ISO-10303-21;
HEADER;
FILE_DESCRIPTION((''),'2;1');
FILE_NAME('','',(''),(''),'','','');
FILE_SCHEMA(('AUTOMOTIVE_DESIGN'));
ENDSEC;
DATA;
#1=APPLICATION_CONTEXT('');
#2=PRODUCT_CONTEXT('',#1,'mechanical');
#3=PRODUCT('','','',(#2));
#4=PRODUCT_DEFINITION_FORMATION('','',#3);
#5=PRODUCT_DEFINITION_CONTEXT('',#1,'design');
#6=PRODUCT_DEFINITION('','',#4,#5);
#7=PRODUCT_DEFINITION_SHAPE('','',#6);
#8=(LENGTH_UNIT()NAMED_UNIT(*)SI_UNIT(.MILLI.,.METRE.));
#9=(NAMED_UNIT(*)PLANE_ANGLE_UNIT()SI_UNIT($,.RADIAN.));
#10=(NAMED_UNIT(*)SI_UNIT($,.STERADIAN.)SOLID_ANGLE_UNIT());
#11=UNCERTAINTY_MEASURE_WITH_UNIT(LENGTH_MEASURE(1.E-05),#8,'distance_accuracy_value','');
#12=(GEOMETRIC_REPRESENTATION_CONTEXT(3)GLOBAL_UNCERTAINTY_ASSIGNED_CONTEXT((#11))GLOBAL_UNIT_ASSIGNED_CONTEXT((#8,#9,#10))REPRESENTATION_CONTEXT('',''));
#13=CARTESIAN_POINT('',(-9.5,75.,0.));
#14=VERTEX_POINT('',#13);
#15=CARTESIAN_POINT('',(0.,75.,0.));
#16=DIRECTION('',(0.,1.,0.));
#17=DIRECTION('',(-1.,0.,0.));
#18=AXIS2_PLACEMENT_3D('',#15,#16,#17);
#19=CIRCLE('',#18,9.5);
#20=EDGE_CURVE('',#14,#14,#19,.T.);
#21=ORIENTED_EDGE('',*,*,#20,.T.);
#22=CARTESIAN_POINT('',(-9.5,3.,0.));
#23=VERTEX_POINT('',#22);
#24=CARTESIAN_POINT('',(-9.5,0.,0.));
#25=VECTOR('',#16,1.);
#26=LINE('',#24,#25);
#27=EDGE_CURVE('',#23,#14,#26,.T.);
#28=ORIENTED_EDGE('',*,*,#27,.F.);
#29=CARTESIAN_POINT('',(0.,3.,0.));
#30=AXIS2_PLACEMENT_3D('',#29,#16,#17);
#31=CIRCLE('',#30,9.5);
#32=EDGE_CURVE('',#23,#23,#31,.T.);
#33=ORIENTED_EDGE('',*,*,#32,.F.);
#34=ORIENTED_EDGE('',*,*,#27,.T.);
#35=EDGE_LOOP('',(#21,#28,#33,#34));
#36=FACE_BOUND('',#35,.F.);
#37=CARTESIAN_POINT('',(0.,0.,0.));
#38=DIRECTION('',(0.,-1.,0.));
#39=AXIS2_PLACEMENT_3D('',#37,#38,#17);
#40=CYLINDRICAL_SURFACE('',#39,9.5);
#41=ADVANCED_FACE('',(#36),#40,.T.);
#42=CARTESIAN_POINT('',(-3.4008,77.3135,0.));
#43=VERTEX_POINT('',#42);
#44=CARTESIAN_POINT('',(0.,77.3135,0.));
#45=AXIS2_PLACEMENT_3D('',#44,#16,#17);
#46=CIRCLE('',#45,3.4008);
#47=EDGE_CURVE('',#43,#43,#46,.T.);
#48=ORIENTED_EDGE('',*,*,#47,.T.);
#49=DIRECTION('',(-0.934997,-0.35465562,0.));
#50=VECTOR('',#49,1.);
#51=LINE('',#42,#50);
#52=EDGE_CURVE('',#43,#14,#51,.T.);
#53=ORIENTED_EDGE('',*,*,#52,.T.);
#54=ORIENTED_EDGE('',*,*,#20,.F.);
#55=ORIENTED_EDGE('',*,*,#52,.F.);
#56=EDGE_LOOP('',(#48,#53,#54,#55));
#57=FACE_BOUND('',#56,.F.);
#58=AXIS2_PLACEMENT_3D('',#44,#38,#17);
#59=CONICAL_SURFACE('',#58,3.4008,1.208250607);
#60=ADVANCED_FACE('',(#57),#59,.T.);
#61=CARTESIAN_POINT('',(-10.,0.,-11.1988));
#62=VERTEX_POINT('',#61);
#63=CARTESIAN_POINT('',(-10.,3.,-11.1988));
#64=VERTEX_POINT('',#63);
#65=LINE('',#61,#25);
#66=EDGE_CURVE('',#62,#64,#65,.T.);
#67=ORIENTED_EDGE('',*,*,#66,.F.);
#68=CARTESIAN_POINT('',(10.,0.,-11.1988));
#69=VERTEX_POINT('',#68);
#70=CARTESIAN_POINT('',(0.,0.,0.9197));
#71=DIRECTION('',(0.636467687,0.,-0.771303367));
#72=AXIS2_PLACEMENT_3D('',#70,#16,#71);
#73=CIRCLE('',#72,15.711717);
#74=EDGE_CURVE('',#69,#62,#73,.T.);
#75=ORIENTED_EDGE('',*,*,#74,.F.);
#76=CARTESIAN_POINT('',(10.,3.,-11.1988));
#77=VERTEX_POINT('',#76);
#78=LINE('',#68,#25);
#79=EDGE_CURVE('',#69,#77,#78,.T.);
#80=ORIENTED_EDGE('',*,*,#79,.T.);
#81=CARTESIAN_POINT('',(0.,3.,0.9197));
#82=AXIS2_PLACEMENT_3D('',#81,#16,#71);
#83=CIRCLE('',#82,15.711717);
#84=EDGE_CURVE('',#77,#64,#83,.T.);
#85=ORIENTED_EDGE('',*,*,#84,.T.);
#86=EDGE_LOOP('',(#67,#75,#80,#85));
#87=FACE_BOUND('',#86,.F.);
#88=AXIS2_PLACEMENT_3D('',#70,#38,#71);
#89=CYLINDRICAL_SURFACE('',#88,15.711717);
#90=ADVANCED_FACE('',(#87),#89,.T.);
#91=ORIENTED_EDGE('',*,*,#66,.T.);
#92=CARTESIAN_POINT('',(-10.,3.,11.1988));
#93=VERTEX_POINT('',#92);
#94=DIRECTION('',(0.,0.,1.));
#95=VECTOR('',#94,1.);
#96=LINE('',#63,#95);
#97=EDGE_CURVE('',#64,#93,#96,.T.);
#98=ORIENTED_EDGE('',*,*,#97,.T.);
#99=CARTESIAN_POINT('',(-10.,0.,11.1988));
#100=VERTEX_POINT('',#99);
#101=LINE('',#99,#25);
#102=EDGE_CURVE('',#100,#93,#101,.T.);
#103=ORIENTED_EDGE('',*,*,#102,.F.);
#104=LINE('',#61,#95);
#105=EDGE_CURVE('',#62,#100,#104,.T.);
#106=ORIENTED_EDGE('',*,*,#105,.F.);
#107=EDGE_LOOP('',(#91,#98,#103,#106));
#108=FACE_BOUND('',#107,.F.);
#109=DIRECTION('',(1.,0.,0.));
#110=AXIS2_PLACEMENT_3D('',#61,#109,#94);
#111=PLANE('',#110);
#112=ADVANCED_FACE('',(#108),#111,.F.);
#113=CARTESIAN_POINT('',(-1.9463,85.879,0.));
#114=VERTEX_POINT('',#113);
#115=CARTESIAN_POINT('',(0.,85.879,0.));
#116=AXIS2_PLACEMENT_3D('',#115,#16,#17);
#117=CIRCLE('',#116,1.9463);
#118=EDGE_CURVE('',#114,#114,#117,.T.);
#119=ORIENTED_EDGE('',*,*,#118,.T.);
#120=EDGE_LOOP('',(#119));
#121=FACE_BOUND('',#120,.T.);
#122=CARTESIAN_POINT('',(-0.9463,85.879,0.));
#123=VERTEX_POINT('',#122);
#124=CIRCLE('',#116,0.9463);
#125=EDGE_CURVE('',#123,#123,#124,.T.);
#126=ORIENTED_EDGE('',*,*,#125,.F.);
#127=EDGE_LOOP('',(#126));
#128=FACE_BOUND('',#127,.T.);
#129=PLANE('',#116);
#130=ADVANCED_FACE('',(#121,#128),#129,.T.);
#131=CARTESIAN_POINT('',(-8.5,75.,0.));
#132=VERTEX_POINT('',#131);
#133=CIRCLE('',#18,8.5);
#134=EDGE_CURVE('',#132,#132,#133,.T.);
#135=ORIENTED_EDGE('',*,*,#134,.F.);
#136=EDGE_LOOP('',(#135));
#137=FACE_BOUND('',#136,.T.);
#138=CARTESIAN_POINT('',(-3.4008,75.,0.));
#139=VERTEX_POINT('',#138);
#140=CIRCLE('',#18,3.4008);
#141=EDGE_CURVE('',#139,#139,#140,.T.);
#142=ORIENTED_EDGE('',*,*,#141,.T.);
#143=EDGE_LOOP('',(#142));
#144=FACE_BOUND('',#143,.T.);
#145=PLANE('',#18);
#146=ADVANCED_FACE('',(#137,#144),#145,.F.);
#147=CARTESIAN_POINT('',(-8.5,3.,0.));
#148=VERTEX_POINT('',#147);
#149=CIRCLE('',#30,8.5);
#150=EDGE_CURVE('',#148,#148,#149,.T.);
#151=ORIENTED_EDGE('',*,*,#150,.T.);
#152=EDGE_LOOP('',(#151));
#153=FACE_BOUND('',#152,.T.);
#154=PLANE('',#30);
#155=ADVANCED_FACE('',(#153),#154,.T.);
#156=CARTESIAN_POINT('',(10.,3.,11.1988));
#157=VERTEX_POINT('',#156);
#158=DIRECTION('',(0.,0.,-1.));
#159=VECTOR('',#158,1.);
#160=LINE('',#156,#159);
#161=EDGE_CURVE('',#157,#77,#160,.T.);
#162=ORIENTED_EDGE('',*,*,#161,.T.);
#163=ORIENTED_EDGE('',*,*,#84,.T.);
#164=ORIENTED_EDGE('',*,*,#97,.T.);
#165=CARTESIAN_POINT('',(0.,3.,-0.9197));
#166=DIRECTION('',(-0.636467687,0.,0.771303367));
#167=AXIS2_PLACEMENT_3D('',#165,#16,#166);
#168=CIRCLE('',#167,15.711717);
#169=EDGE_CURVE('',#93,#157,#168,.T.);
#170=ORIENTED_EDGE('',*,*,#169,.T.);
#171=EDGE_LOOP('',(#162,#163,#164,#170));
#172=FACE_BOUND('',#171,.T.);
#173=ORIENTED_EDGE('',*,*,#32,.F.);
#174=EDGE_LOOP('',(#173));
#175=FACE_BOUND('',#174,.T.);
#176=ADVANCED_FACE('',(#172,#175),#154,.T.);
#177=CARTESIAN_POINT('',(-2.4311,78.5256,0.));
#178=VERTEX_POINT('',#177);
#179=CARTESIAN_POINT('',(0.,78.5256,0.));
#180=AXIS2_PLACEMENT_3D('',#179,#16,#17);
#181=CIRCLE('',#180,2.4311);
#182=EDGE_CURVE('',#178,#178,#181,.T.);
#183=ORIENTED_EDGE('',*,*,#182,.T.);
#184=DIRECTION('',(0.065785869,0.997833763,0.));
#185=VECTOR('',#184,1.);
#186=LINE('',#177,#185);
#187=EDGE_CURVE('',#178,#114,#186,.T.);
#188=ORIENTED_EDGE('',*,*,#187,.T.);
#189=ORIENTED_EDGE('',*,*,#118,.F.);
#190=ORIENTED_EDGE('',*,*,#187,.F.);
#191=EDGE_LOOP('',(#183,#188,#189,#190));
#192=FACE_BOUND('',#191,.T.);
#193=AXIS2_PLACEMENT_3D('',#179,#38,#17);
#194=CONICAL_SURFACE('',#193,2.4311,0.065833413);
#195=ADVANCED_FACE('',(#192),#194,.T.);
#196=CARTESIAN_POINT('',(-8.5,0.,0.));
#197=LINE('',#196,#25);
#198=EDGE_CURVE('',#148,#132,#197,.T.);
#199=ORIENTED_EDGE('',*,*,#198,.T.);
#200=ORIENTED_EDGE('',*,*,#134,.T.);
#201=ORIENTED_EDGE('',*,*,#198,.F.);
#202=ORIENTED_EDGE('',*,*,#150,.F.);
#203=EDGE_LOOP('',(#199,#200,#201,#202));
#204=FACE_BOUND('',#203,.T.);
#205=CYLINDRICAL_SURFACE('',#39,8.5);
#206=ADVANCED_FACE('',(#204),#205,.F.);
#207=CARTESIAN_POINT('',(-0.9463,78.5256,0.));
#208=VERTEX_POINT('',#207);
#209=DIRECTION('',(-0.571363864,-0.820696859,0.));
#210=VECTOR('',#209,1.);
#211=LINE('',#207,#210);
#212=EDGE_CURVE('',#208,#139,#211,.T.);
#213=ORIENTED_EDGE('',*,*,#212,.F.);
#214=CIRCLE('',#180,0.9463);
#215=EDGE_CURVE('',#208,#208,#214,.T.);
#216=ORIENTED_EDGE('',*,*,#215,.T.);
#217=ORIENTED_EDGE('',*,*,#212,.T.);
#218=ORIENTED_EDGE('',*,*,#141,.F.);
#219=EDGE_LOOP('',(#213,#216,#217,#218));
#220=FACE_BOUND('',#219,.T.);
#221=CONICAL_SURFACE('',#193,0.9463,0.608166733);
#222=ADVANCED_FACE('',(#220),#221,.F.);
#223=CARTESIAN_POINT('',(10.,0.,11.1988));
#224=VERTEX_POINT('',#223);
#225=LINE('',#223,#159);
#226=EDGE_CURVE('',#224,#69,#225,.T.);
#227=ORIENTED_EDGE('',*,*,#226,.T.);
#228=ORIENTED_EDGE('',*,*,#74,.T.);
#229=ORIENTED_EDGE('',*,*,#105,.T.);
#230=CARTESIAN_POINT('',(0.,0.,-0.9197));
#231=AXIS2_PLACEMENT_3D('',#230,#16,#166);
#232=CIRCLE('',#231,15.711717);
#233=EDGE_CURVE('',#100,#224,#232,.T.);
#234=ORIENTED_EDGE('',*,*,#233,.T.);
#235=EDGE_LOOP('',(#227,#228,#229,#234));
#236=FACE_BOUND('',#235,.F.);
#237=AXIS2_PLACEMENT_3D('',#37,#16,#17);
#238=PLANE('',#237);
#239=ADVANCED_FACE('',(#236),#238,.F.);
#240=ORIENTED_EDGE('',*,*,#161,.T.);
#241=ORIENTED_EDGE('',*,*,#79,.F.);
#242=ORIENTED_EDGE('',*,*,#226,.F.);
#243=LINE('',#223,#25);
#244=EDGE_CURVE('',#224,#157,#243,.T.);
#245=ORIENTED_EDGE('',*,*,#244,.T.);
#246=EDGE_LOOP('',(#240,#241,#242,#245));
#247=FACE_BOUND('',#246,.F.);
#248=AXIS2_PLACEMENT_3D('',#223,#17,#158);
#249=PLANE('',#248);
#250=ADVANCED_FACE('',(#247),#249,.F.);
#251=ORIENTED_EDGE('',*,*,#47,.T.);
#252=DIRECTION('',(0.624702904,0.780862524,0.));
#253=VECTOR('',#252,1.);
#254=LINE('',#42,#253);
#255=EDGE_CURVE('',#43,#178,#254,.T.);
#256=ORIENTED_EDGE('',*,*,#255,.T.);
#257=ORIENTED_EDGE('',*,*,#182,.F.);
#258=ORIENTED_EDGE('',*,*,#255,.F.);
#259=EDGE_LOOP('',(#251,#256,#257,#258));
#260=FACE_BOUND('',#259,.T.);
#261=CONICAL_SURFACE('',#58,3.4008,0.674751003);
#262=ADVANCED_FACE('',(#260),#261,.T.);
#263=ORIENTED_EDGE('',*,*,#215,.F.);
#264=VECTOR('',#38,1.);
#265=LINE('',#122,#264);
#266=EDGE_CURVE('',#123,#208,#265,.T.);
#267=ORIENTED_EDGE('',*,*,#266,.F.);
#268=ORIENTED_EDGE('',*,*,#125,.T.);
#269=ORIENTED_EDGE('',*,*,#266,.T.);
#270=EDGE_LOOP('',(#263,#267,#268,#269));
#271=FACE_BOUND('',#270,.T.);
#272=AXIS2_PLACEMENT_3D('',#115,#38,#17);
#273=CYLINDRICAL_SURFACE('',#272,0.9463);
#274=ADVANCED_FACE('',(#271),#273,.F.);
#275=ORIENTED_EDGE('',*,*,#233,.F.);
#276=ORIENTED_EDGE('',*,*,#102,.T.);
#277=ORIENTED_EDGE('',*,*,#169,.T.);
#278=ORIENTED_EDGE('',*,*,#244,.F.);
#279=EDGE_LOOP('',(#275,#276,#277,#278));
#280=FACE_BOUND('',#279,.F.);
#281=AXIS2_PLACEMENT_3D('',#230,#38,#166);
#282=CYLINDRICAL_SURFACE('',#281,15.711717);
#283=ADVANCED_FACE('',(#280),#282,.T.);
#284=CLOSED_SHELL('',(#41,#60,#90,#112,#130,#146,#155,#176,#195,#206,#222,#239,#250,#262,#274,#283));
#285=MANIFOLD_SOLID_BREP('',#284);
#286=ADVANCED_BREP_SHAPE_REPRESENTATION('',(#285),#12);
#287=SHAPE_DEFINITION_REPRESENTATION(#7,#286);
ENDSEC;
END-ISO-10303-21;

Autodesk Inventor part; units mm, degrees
ref_plane "YZ Plane" through (0, 0, 0) normal (1, 0, 0) x (0, 1, 0)
ref_plane "XZ Plane" through (0, 0, 0) normal (0, 1, 0) x (-1, 0, 0)
ref_plane "XY Plane" through (0, 0, 0) normal (0, 0, 1) x (1, 0, 0)
sketch "Sketch1" plane through (0, 0, 0) normal (0, 1, 0) x (-1, 0, 0)
  circle A0 centre (0, 0) radius 8.5
  line L0 (10, -11.1988) -> (10, 11.1988)
  line L1 (-10, 11.1988) -> (-10, -11.1988)
  line L2 (-10, -14.792) -> (10, 14.792) construction
  line L3 (10, -14.792) -> (-10, 14.792) construction
  line L4 (10, 11.1988) -> (-10, 11.1988) construction
  arc A1 (10, 11.1988) -> (-10, 11.1988) centre (0, -0.9197) ccw
  line L5 (14.8819, 0) -> (-15.6848, 0) construction
  arc A2 (-10, -11.1988) -> (10, -11.1988) centre (0, 0.9197) ccw
  circle A3 centre (0, 0) radius 9.5
  dimension "d0" = 17
  dimension "d1" = 20
  dimension "d2" = 1
extrude "Extrusion1" add sketch "Sketch1" along normal blind 75 contours A3
extrude "Extrusion2" add sketch "Sketch1" along normal blind 3
sketch "Sketch2" plane through (0, 0, 0) normal (0, 0, 1) x (1, 0, 0)
  line L0 (9.5, 75) -> (-9.5, 75) projected
  line L1 (-9.5, 75) -> (-7.5, 75)
  line L2 (-7.5, 75) -> (-3.4008, 77.3135)
  line L3 (-3.4008, 77.3135) -> (-2.4311, 78.5256)
  line L4 (-2.4311, 78.5256) -> (-1.9463, 85.879)
  line L5 (-1.9463, 85.879) -> (-0.9463, 85.879)
  line L6 (-0.9463, 85.879) -> (-0.9463, 78.5256)
  line L7 (-0.9463, 78.5256) -> (-3.4008, 75)
  line L8 (-3.4008, 75) -> (-9.5, 75)
  line L9 (-3.4008, 77.3135) -> (-9.5, 75)
  line L10 (0, -17.1758) -> (0, 103.0548) projected
  point P0 (0, 0)
  dimension "d7" = 2
  dimension "d8" = 1
revolve "Revolution1" add sketch "Sketch2" angle 360 about axis through (0, -10, 0) along (0, 1, 0)
properties part number "Small Syringe"
